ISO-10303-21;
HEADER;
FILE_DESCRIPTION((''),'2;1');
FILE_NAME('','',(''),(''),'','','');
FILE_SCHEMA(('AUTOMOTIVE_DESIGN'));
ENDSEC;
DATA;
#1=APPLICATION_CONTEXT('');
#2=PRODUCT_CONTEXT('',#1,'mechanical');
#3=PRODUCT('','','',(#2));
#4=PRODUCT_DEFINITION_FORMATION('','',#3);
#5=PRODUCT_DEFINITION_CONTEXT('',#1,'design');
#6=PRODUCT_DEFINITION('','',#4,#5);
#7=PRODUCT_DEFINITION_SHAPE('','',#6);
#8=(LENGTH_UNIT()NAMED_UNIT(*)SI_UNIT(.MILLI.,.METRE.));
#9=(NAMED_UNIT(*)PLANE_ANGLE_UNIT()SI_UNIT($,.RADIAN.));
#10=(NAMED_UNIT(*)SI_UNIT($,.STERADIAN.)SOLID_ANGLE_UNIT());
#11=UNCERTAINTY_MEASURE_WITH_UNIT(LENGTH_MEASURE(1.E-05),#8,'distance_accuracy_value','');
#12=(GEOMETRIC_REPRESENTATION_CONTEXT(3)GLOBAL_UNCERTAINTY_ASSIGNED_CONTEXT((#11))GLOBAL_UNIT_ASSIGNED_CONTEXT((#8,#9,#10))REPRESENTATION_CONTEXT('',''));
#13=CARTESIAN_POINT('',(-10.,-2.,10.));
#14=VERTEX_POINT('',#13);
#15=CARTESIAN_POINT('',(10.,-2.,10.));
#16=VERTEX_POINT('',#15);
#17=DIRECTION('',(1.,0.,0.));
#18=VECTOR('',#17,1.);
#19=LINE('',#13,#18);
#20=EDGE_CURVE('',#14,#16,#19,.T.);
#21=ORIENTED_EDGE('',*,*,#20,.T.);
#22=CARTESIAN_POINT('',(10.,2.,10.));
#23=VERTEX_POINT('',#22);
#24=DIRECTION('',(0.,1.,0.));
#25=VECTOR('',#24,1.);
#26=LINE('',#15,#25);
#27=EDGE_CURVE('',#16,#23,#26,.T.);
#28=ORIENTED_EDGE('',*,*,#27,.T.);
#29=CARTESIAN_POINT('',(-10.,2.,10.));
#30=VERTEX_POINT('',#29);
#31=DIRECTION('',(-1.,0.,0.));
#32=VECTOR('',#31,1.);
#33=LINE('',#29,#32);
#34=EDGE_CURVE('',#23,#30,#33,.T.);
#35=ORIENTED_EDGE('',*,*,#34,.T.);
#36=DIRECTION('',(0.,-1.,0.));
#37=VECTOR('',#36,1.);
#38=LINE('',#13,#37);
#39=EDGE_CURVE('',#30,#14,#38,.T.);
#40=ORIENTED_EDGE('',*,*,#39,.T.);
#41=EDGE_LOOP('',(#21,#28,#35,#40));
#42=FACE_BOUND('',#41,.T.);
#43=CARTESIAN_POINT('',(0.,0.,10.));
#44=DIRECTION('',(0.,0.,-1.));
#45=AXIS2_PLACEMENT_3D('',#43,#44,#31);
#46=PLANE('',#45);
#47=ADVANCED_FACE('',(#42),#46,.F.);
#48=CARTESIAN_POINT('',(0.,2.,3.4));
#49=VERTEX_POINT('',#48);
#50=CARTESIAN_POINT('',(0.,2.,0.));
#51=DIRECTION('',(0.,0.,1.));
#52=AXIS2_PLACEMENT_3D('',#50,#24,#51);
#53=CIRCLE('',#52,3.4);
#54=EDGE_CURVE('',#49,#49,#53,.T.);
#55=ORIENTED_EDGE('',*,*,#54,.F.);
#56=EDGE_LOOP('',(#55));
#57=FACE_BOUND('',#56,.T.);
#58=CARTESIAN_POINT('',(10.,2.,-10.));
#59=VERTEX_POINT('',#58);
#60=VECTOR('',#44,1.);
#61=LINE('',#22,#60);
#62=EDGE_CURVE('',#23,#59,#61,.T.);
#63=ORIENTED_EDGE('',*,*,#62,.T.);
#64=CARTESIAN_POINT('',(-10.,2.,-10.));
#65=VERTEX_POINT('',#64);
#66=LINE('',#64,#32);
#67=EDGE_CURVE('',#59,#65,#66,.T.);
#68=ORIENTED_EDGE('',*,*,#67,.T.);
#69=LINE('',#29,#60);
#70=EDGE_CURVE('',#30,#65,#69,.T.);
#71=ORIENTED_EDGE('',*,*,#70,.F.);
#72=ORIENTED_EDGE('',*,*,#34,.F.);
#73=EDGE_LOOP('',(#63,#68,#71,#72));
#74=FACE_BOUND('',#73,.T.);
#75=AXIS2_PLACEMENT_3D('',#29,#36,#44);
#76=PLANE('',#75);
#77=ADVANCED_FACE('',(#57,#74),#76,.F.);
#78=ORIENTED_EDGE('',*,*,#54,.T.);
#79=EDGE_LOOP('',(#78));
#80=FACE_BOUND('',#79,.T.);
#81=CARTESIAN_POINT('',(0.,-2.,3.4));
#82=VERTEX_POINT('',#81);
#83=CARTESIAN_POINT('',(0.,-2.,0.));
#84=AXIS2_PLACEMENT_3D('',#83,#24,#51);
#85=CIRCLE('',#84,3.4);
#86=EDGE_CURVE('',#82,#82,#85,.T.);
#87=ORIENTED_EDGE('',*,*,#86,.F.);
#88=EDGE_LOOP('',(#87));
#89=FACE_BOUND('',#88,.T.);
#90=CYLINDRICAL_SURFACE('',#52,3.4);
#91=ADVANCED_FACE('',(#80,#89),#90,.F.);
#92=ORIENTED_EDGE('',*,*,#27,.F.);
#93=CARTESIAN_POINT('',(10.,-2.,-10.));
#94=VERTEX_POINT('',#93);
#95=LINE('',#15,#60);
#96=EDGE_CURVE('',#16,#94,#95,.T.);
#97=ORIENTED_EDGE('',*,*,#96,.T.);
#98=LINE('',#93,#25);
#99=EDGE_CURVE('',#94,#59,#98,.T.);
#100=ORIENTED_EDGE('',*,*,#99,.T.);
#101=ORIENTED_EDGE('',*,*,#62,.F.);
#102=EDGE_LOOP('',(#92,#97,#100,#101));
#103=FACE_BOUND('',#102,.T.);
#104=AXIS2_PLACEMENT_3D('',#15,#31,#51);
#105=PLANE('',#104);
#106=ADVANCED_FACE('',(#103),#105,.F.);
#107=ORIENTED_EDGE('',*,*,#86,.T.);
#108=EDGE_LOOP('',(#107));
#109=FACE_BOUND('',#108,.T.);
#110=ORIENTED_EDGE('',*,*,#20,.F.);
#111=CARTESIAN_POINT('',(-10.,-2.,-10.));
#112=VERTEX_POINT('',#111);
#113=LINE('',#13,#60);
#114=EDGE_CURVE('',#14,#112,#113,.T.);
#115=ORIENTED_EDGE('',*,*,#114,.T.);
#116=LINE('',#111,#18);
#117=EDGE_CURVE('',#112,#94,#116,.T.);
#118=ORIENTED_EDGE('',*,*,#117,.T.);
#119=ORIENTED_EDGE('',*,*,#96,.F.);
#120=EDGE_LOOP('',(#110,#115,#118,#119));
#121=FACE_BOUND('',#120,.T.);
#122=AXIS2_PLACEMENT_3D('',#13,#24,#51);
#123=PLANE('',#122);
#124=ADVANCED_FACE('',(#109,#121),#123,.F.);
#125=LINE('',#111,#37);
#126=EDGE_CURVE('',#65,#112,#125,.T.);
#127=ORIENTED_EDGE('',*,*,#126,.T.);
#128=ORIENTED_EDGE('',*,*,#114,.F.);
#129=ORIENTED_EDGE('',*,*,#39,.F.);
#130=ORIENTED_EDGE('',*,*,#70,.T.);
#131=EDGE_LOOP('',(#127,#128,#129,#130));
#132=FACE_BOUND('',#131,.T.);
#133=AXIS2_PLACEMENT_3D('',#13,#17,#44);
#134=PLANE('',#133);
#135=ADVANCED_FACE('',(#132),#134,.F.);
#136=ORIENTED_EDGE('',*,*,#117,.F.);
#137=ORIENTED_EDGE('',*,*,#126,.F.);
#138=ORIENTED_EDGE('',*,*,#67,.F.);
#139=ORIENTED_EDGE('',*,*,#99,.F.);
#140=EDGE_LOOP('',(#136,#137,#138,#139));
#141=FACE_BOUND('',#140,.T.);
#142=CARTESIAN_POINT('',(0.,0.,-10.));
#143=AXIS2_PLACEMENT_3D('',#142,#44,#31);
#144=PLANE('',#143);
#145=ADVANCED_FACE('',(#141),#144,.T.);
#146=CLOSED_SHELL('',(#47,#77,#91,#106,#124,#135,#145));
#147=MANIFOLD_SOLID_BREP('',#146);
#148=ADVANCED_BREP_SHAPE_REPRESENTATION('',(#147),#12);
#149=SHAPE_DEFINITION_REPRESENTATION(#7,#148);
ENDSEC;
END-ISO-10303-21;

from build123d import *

# Parameters (mm, degrees)
SKETCH1_W              = 20
SKETCH1_H              = 4
BOSS_EXTRUDE1_DEPTH    = 10
M8X1_25_TAPPED_HOLE1_D = 6.8


with BuildPart() as part:
    # Sketch1 → Boss-Extrude1 (new, symmetric)
    with BuildSketch(Plane.XY):
        Rectangle(SKETCH1_W, SKETCH1_H)
    extrude(amount=BOSS_EXTRUDE1_DEPTH, both=True)

    # M8x1.25 Tapped Hole1 (through all)
    with Locations(Plane(origin=(0, 2, 0), x_dir=(1, 0, 0), z_dir=(0, 1, 0))):
        with Locations((0, 0)):
            Hole(M8X1_25_TAPPED_HOLE1_D / 2)


solid = part.part
